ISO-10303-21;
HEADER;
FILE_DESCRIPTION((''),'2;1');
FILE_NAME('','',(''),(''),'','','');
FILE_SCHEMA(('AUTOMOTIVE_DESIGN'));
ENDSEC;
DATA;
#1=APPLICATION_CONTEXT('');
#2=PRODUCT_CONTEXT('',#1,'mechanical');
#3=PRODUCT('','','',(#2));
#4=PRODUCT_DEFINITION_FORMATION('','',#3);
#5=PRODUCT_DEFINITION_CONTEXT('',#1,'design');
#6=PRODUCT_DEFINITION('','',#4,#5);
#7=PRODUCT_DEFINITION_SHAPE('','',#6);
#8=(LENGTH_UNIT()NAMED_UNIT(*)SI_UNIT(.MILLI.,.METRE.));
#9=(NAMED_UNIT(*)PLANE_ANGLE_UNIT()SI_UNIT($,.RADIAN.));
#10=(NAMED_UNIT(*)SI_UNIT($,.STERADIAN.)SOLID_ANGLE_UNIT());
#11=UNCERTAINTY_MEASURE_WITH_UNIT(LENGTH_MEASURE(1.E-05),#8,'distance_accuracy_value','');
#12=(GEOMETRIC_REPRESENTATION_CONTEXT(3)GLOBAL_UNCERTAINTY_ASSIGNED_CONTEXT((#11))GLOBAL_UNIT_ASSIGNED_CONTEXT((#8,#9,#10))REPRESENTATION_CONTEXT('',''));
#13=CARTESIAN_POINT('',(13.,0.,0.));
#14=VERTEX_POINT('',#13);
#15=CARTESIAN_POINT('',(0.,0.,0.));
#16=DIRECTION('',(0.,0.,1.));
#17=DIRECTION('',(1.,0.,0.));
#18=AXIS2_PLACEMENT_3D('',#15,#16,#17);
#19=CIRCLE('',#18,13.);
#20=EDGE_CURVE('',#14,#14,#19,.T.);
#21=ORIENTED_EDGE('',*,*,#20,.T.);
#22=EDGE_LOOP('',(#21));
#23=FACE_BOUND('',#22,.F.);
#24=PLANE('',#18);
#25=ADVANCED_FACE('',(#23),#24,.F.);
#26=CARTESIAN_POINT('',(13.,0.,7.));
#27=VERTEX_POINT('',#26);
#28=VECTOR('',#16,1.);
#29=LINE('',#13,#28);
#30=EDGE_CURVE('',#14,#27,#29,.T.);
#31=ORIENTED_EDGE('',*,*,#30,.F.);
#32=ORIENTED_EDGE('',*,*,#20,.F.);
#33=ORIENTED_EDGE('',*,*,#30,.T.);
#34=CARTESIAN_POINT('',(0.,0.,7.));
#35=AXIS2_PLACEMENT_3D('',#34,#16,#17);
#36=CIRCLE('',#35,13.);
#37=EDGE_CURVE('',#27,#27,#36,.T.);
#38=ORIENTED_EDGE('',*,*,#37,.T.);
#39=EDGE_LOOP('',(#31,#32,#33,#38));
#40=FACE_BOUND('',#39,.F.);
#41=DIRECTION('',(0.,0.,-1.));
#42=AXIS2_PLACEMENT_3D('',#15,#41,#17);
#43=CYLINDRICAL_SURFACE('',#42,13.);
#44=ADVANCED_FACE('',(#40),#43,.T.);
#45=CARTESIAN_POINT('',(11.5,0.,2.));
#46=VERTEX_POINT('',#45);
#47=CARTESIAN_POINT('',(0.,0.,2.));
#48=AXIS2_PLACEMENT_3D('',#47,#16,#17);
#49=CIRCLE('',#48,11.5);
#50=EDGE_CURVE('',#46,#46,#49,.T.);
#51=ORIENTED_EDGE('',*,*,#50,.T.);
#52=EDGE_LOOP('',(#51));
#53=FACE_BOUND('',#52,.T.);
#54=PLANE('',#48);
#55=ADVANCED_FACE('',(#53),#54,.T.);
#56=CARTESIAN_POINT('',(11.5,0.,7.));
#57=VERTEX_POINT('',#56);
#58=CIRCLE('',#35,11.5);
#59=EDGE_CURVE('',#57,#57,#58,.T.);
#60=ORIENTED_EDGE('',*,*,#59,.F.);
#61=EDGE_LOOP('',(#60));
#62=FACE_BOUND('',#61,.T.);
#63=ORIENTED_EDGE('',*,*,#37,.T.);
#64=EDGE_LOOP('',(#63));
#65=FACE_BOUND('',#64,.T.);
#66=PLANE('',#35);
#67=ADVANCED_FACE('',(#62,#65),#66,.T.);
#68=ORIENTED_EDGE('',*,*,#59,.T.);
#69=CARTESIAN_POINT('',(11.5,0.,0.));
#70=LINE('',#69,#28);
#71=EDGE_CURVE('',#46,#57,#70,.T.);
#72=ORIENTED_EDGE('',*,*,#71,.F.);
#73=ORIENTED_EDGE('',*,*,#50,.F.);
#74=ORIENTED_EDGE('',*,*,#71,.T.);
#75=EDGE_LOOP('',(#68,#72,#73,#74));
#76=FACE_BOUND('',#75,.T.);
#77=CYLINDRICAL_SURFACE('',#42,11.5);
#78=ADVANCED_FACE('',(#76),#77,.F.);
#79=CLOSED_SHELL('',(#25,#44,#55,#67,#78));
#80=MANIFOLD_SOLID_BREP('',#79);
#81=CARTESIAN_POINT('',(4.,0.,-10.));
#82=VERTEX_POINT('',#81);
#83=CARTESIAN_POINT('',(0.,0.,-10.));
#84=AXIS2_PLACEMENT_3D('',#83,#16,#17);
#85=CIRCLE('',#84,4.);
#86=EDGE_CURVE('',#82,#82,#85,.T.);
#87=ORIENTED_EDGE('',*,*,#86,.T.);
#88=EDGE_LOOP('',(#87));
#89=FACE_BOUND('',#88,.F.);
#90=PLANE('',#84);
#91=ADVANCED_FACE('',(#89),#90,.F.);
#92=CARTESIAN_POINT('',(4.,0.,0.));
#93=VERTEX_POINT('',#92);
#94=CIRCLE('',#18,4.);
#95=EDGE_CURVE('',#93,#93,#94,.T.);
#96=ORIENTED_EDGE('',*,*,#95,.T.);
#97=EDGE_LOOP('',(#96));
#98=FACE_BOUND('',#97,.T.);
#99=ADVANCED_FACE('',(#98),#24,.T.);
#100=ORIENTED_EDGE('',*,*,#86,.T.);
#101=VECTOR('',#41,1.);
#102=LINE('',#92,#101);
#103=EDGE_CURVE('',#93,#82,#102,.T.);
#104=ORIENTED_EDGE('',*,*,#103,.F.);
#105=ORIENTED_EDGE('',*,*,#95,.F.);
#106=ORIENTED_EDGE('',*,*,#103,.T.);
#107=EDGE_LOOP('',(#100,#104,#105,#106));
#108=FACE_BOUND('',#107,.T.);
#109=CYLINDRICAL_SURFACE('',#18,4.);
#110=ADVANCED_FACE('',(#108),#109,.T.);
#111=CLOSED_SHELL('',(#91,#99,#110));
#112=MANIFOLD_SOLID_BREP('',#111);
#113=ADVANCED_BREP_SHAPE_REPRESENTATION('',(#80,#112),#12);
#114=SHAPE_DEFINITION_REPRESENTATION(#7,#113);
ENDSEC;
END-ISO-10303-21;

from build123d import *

# Parameters (mm, degrees)
F0_R     = 4
F1_DEPTH = 10
F2_R     = 11.5
F2_R_2   = 4
F3_DEPTH = 2
F2_R_3   = 13
F4_DEPTH = 7


with BuildPart() as f1:
    # F0 (on Top) → F1 (new body)
    with BuildSketch(Plane.XY):
        Circle(F0_R)
    extrude(amount=-F1_DEPTH)


with BuildPart() as f3:
    # F2 (on face) → F3 (new body)
    with BuildSketch(Plane.XY):
        Circle(F2_R)
        Circle(F2_R_2, mode=Mode.SUBTRACT)
        Circle(F2_R_2)
    extrude(amount=F3_DEPTH)

    # F2 (on face) → F4 (join)
    with BuildSketch(Plane.XY):
        Circle(F2_R_3)
        Circle(F2_R, mode=Mode.SUBTRACT)
    extrude(amount=F4_DEPTH)


solid = Compound([f1.part, f3.part])
